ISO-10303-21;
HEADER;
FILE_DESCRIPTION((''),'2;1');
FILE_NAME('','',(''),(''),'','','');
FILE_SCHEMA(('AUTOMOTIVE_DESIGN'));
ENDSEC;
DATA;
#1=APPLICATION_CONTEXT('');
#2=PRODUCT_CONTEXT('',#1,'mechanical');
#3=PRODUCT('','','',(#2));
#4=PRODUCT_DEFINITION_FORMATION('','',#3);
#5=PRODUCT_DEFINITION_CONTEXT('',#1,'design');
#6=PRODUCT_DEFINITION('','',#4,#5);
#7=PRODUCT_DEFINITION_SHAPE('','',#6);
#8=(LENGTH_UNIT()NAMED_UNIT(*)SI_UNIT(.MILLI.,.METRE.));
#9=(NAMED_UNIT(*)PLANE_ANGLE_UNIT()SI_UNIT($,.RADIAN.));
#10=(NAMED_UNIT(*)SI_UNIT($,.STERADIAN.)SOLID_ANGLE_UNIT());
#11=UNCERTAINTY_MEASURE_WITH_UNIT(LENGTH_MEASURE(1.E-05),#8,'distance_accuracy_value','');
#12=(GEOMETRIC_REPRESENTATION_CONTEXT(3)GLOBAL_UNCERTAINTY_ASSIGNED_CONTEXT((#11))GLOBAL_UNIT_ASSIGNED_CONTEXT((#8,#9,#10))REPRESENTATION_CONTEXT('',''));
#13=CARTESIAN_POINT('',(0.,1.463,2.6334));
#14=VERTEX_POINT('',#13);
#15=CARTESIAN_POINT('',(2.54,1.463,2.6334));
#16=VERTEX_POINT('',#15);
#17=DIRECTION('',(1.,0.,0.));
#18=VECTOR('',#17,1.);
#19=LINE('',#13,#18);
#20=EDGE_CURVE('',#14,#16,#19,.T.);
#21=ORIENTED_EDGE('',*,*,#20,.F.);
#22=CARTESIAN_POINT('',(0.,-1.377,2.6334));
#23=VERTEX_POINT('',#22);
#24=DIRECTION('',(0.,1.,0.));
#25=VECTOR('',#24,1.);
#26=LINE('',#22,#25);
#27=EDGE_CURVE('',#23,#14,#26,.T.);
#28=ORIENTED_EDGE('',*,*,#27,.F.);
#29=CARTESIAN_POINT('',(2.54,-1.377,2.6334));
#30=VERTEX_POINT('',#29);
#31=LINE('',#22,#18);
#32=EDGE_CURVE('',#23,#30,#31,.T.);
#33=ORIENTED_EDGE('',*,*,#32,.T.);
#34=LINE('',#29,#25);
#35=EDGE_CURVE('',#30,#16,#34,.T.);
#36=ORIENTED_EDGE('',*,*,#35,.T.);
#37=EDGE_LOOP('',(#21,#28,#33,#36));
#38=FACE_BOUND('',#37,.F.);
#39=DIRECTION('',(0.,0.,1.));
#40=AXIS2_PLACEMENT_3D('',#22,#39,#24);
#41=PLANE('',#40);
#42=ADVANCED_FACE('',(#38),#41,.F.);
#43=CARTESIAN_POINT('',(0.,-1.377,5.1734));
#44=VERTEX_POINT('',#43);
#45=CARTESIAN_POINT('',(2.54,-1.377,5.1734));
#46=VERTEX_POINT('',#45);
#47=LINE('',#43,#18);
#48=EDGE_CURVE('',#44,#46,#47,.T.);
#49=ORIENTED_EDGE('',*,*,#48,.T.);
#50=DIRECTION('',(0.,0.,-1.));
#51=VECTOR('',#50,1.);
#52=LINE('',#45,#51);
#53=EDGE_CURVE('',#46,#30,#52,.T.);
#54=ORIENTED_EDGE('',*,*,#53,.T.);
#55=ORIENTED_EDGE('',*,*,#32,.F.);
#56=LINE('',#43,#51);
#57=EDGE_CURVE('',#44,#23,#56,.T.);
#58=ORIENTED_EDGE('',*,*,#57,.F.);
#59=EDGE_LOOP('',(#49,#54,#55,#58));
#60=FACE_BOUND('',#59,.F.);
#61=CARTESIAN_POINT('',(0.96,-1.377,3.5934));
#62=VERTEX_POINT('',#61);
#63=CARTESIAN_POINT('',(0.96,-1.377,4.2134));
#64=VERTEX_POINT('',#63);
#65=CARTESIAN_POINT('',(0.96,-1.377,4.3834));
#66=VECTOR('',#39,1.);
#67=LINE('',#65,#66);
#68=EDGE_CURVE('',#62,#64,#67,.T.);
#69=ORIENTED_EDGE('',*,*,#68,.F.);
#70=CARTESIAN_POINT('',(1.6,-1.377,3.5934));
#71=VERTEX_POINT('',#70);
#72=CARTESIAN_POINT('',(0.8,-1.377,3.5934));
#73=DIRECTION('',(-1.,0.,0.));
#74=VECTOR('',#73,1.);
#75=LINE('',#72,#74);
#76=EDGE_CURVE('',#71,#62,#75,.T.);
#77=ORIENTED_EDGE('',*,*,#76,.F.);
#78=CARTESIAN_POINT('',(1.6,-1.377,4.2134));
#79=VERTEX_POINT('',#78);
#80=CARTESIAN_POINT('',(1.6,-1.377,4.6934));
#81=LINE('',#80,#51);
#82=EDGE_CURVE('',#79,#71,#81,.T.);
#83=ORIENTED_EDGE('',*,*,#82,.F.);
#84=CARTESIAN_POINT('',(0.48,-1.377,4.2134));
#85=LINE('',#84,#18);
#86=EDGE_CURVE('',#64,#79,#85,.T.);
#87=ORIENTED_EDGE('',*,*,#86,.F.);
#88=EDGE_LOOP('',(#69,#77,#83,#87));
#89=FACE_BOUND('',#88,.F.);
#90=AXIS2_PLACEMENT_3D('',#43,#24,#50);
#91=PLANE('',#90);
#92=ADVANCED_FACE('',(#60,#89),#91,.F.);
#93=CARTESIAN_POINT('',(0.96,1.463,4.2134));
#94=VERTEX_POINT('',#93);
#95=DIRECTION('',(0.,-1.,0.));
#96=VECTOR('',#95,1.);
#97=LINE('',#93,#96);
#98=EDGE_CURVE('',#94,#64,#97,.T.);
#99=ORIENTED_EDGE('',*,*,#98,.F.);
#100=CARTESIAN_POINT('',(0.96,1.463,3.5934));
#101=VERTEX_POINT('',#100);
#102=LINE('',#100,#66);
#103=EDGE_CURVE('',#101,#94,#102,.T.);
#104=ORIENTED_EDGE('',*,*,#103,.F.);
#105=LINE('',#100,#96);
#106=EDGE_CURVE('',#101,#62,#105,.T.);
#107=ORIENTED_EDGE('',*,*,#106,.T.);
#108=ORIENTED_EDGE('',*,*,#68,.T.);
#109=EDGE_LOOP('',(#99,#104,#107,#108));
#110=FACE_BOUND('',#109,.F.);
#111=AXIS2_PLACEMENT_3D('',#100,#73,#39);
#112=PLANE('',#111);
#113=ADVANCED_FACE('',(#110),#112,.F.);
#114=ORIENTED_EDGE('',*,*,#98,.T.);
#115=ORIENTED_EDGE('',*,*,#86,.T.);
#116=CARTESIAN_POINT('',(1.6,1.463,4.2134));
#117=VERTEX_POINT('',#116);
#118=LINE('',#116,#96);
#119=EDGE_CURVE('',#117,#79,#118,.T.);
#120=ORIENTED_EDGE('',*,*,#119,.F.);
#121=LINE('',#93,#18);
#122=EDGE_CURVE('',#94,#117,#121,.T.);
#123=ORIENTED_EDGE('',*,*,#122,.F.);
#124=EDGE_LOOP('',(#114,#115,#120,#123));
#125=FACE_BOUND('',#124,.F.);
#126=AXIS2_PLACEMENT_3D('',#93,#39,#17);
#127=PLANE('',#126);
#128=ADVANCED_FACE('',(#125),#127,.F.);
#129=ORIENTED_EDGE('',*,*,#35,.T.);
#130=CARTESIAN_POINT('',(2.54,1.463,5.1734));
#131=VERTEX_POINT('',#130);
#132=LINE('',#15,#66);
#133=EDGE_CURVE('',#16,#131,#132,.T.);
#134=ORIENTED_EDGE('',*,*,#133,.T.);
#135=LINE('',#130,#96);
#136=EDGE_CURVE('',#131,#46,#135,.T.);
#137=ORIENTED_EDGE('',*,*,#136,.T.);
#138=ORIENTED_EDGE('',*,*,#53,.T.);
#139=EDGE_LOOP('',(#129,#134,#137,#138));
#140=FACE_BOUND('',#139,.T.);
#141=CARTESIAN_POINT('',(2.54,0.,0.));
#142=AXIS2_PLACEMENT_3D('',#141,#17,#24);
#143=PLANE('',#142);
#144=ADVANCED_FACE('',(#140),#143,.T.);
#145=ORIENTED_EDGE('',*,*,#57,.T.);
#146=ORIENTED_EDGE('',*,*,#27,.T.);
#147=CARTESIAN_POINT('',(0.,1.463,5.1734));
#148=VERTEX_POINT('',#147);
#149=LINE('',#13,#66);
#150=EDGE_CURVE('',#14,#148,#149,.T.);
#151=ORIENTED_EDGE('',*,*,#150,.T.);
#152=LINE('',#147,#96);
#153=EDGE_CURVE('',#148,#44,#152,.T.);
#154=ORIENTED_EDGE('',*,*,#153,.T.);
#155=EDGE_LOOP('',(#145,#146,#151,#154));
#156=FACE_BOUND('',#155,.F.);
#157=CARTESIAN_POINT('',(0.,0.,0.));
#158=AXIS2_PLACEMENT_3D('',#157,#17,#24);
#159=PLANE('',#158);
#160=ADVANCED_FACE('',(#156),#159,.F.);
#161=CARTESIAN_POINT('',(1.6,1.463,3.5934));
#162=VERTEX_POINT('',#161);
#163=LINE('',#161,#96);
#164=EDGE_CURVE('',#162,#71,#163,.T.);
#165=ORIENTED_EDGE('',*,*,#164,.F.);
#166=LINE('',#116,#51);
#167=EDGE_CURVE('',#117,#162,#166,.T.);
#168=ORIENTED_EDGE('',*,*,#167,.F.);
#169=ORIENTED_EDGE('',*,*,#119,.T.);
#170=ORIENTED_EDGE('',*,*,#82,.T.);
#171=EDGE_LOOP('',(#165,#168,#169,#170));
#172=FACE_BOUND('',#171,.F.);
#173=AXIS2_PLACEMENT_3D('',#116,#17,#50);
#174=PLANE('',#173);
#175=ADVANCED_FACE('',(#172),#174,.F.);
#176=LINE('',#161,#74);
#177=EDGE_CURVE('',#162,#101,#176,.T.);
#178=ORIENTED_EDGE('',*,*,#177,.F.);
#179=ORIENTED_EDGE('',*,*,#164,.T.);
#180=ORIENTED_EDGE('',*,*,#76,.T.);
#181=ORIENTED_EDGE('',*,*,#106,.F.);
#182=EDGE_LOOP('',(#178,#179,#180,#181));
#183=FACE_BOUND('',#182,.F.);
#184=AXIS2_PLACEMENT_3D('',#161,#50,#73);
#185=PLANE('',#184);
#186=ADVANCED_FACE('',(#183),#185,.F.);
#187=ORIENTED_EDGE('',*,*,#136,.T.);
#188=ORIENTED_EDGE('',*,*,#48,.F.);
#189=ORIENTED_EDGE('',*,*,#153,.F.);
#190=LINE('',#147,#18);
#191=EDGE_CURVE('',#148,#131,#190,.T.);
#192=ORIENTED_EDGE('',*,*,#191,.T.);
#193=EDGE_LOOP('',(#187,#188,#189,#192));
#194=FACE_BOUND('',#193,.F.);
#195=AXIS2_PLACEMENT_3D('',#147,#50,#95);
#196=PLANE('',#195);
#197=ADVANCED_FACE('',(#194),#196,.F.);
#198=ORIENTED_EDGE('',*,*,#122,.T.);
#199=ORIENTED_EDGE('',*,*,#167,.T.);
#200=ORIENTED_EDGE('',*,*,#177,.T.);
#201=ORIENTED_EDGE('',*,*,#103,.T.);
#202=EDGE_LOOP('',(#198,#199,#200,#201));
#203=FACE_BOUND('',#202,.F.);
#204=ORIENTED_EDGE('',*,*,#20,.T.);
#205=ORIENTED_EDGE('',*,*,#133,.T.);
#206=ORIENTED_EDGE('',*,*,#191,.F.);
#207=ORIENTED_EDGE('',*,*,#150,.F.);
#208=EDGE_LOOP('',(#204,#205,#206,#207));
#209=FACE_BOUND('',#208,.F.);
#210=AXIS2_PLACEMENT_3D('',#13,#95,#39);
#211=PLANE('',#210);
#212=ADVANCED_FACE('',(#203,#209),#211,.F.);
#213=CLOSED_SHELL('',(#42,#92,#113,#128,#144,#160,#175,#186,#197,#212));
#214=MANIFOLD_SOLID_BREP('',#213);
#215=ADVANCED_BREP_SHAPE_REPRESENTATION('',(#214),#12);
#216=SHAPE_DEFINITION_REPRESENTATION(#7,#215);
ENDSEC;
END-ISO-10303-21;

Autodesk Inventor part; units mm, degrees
ref_plane "YZ Plane" through (0, 0, 0) normal (1, 0, 0) x (0, 1, 0)
ref_plane "XZ Plane" through (0, 0, 0) normal (0, 1, 0) x (-1, 0, 0)
ref_plane "XY Plane" through (0, 0, 0) normal (0, 0, 1) x (1, 0, 0)
sketch "Sketch1" plane through (0, 0, 0) normal (1, 0, 0) x (0, 1, 0)
  line L0 (1.463, 5.1734) -> (-1.377, 5.1734)
  line L1 (-1.377, 5.1734) -> (-1.377, 2.6334)
  line L2 (-1.377, 2.6334) -> (1.463, 2.6334)
  line L3 (1.463, 2.6334) -> (1.463, 5.1734)
  point P0 (0, 0)
  dimension "d0" = 2.54
  dimension "d1" = 2.84
extrude "Extrusion1" add sketch "Sketch1" along normal blind 2.54
sketch "Sketch2" plane through (0, 1.463, 5.1734) normal (0, 1, 0) x (1, 0, 0)
  line L0 (0.96, 0.96) -> (1.6, 0.96)
  line L1 (1.6, 0.96) -> (1.6, 1.58)
  line L2 (1.6, 1.58) -> (0.96, 1.58)
  line L3 (0.96, 1.58) -> (0.96, 0.96)
  line L4 (0, 0) -> (2.54, 0) projected
  line L5 (0, 2.54) -> (2.54, 2.54) projected
  line L6 (0, 2.54) -> (0, 0) projected
  line L7 (2.54, 2.54) -> (2.54, 0) projected
  line L8 (2.54, 0) -> (2.54, 2.54) projected
  point P0 (0, 5.1734)
  dimension "d4" = 0.62
  dimension "d5" = 0.64
  dimension "d6" = 0.96
  dimension "d7" = 0.96
  dimension "d8" = 0.96
  dimension "d9" = 0.94
extrude "Extrusion2" cut sketch "Sketch2" against normal blind 3.81 contours L3 L2 L1 L0
properties part number "HeaderBlock"
